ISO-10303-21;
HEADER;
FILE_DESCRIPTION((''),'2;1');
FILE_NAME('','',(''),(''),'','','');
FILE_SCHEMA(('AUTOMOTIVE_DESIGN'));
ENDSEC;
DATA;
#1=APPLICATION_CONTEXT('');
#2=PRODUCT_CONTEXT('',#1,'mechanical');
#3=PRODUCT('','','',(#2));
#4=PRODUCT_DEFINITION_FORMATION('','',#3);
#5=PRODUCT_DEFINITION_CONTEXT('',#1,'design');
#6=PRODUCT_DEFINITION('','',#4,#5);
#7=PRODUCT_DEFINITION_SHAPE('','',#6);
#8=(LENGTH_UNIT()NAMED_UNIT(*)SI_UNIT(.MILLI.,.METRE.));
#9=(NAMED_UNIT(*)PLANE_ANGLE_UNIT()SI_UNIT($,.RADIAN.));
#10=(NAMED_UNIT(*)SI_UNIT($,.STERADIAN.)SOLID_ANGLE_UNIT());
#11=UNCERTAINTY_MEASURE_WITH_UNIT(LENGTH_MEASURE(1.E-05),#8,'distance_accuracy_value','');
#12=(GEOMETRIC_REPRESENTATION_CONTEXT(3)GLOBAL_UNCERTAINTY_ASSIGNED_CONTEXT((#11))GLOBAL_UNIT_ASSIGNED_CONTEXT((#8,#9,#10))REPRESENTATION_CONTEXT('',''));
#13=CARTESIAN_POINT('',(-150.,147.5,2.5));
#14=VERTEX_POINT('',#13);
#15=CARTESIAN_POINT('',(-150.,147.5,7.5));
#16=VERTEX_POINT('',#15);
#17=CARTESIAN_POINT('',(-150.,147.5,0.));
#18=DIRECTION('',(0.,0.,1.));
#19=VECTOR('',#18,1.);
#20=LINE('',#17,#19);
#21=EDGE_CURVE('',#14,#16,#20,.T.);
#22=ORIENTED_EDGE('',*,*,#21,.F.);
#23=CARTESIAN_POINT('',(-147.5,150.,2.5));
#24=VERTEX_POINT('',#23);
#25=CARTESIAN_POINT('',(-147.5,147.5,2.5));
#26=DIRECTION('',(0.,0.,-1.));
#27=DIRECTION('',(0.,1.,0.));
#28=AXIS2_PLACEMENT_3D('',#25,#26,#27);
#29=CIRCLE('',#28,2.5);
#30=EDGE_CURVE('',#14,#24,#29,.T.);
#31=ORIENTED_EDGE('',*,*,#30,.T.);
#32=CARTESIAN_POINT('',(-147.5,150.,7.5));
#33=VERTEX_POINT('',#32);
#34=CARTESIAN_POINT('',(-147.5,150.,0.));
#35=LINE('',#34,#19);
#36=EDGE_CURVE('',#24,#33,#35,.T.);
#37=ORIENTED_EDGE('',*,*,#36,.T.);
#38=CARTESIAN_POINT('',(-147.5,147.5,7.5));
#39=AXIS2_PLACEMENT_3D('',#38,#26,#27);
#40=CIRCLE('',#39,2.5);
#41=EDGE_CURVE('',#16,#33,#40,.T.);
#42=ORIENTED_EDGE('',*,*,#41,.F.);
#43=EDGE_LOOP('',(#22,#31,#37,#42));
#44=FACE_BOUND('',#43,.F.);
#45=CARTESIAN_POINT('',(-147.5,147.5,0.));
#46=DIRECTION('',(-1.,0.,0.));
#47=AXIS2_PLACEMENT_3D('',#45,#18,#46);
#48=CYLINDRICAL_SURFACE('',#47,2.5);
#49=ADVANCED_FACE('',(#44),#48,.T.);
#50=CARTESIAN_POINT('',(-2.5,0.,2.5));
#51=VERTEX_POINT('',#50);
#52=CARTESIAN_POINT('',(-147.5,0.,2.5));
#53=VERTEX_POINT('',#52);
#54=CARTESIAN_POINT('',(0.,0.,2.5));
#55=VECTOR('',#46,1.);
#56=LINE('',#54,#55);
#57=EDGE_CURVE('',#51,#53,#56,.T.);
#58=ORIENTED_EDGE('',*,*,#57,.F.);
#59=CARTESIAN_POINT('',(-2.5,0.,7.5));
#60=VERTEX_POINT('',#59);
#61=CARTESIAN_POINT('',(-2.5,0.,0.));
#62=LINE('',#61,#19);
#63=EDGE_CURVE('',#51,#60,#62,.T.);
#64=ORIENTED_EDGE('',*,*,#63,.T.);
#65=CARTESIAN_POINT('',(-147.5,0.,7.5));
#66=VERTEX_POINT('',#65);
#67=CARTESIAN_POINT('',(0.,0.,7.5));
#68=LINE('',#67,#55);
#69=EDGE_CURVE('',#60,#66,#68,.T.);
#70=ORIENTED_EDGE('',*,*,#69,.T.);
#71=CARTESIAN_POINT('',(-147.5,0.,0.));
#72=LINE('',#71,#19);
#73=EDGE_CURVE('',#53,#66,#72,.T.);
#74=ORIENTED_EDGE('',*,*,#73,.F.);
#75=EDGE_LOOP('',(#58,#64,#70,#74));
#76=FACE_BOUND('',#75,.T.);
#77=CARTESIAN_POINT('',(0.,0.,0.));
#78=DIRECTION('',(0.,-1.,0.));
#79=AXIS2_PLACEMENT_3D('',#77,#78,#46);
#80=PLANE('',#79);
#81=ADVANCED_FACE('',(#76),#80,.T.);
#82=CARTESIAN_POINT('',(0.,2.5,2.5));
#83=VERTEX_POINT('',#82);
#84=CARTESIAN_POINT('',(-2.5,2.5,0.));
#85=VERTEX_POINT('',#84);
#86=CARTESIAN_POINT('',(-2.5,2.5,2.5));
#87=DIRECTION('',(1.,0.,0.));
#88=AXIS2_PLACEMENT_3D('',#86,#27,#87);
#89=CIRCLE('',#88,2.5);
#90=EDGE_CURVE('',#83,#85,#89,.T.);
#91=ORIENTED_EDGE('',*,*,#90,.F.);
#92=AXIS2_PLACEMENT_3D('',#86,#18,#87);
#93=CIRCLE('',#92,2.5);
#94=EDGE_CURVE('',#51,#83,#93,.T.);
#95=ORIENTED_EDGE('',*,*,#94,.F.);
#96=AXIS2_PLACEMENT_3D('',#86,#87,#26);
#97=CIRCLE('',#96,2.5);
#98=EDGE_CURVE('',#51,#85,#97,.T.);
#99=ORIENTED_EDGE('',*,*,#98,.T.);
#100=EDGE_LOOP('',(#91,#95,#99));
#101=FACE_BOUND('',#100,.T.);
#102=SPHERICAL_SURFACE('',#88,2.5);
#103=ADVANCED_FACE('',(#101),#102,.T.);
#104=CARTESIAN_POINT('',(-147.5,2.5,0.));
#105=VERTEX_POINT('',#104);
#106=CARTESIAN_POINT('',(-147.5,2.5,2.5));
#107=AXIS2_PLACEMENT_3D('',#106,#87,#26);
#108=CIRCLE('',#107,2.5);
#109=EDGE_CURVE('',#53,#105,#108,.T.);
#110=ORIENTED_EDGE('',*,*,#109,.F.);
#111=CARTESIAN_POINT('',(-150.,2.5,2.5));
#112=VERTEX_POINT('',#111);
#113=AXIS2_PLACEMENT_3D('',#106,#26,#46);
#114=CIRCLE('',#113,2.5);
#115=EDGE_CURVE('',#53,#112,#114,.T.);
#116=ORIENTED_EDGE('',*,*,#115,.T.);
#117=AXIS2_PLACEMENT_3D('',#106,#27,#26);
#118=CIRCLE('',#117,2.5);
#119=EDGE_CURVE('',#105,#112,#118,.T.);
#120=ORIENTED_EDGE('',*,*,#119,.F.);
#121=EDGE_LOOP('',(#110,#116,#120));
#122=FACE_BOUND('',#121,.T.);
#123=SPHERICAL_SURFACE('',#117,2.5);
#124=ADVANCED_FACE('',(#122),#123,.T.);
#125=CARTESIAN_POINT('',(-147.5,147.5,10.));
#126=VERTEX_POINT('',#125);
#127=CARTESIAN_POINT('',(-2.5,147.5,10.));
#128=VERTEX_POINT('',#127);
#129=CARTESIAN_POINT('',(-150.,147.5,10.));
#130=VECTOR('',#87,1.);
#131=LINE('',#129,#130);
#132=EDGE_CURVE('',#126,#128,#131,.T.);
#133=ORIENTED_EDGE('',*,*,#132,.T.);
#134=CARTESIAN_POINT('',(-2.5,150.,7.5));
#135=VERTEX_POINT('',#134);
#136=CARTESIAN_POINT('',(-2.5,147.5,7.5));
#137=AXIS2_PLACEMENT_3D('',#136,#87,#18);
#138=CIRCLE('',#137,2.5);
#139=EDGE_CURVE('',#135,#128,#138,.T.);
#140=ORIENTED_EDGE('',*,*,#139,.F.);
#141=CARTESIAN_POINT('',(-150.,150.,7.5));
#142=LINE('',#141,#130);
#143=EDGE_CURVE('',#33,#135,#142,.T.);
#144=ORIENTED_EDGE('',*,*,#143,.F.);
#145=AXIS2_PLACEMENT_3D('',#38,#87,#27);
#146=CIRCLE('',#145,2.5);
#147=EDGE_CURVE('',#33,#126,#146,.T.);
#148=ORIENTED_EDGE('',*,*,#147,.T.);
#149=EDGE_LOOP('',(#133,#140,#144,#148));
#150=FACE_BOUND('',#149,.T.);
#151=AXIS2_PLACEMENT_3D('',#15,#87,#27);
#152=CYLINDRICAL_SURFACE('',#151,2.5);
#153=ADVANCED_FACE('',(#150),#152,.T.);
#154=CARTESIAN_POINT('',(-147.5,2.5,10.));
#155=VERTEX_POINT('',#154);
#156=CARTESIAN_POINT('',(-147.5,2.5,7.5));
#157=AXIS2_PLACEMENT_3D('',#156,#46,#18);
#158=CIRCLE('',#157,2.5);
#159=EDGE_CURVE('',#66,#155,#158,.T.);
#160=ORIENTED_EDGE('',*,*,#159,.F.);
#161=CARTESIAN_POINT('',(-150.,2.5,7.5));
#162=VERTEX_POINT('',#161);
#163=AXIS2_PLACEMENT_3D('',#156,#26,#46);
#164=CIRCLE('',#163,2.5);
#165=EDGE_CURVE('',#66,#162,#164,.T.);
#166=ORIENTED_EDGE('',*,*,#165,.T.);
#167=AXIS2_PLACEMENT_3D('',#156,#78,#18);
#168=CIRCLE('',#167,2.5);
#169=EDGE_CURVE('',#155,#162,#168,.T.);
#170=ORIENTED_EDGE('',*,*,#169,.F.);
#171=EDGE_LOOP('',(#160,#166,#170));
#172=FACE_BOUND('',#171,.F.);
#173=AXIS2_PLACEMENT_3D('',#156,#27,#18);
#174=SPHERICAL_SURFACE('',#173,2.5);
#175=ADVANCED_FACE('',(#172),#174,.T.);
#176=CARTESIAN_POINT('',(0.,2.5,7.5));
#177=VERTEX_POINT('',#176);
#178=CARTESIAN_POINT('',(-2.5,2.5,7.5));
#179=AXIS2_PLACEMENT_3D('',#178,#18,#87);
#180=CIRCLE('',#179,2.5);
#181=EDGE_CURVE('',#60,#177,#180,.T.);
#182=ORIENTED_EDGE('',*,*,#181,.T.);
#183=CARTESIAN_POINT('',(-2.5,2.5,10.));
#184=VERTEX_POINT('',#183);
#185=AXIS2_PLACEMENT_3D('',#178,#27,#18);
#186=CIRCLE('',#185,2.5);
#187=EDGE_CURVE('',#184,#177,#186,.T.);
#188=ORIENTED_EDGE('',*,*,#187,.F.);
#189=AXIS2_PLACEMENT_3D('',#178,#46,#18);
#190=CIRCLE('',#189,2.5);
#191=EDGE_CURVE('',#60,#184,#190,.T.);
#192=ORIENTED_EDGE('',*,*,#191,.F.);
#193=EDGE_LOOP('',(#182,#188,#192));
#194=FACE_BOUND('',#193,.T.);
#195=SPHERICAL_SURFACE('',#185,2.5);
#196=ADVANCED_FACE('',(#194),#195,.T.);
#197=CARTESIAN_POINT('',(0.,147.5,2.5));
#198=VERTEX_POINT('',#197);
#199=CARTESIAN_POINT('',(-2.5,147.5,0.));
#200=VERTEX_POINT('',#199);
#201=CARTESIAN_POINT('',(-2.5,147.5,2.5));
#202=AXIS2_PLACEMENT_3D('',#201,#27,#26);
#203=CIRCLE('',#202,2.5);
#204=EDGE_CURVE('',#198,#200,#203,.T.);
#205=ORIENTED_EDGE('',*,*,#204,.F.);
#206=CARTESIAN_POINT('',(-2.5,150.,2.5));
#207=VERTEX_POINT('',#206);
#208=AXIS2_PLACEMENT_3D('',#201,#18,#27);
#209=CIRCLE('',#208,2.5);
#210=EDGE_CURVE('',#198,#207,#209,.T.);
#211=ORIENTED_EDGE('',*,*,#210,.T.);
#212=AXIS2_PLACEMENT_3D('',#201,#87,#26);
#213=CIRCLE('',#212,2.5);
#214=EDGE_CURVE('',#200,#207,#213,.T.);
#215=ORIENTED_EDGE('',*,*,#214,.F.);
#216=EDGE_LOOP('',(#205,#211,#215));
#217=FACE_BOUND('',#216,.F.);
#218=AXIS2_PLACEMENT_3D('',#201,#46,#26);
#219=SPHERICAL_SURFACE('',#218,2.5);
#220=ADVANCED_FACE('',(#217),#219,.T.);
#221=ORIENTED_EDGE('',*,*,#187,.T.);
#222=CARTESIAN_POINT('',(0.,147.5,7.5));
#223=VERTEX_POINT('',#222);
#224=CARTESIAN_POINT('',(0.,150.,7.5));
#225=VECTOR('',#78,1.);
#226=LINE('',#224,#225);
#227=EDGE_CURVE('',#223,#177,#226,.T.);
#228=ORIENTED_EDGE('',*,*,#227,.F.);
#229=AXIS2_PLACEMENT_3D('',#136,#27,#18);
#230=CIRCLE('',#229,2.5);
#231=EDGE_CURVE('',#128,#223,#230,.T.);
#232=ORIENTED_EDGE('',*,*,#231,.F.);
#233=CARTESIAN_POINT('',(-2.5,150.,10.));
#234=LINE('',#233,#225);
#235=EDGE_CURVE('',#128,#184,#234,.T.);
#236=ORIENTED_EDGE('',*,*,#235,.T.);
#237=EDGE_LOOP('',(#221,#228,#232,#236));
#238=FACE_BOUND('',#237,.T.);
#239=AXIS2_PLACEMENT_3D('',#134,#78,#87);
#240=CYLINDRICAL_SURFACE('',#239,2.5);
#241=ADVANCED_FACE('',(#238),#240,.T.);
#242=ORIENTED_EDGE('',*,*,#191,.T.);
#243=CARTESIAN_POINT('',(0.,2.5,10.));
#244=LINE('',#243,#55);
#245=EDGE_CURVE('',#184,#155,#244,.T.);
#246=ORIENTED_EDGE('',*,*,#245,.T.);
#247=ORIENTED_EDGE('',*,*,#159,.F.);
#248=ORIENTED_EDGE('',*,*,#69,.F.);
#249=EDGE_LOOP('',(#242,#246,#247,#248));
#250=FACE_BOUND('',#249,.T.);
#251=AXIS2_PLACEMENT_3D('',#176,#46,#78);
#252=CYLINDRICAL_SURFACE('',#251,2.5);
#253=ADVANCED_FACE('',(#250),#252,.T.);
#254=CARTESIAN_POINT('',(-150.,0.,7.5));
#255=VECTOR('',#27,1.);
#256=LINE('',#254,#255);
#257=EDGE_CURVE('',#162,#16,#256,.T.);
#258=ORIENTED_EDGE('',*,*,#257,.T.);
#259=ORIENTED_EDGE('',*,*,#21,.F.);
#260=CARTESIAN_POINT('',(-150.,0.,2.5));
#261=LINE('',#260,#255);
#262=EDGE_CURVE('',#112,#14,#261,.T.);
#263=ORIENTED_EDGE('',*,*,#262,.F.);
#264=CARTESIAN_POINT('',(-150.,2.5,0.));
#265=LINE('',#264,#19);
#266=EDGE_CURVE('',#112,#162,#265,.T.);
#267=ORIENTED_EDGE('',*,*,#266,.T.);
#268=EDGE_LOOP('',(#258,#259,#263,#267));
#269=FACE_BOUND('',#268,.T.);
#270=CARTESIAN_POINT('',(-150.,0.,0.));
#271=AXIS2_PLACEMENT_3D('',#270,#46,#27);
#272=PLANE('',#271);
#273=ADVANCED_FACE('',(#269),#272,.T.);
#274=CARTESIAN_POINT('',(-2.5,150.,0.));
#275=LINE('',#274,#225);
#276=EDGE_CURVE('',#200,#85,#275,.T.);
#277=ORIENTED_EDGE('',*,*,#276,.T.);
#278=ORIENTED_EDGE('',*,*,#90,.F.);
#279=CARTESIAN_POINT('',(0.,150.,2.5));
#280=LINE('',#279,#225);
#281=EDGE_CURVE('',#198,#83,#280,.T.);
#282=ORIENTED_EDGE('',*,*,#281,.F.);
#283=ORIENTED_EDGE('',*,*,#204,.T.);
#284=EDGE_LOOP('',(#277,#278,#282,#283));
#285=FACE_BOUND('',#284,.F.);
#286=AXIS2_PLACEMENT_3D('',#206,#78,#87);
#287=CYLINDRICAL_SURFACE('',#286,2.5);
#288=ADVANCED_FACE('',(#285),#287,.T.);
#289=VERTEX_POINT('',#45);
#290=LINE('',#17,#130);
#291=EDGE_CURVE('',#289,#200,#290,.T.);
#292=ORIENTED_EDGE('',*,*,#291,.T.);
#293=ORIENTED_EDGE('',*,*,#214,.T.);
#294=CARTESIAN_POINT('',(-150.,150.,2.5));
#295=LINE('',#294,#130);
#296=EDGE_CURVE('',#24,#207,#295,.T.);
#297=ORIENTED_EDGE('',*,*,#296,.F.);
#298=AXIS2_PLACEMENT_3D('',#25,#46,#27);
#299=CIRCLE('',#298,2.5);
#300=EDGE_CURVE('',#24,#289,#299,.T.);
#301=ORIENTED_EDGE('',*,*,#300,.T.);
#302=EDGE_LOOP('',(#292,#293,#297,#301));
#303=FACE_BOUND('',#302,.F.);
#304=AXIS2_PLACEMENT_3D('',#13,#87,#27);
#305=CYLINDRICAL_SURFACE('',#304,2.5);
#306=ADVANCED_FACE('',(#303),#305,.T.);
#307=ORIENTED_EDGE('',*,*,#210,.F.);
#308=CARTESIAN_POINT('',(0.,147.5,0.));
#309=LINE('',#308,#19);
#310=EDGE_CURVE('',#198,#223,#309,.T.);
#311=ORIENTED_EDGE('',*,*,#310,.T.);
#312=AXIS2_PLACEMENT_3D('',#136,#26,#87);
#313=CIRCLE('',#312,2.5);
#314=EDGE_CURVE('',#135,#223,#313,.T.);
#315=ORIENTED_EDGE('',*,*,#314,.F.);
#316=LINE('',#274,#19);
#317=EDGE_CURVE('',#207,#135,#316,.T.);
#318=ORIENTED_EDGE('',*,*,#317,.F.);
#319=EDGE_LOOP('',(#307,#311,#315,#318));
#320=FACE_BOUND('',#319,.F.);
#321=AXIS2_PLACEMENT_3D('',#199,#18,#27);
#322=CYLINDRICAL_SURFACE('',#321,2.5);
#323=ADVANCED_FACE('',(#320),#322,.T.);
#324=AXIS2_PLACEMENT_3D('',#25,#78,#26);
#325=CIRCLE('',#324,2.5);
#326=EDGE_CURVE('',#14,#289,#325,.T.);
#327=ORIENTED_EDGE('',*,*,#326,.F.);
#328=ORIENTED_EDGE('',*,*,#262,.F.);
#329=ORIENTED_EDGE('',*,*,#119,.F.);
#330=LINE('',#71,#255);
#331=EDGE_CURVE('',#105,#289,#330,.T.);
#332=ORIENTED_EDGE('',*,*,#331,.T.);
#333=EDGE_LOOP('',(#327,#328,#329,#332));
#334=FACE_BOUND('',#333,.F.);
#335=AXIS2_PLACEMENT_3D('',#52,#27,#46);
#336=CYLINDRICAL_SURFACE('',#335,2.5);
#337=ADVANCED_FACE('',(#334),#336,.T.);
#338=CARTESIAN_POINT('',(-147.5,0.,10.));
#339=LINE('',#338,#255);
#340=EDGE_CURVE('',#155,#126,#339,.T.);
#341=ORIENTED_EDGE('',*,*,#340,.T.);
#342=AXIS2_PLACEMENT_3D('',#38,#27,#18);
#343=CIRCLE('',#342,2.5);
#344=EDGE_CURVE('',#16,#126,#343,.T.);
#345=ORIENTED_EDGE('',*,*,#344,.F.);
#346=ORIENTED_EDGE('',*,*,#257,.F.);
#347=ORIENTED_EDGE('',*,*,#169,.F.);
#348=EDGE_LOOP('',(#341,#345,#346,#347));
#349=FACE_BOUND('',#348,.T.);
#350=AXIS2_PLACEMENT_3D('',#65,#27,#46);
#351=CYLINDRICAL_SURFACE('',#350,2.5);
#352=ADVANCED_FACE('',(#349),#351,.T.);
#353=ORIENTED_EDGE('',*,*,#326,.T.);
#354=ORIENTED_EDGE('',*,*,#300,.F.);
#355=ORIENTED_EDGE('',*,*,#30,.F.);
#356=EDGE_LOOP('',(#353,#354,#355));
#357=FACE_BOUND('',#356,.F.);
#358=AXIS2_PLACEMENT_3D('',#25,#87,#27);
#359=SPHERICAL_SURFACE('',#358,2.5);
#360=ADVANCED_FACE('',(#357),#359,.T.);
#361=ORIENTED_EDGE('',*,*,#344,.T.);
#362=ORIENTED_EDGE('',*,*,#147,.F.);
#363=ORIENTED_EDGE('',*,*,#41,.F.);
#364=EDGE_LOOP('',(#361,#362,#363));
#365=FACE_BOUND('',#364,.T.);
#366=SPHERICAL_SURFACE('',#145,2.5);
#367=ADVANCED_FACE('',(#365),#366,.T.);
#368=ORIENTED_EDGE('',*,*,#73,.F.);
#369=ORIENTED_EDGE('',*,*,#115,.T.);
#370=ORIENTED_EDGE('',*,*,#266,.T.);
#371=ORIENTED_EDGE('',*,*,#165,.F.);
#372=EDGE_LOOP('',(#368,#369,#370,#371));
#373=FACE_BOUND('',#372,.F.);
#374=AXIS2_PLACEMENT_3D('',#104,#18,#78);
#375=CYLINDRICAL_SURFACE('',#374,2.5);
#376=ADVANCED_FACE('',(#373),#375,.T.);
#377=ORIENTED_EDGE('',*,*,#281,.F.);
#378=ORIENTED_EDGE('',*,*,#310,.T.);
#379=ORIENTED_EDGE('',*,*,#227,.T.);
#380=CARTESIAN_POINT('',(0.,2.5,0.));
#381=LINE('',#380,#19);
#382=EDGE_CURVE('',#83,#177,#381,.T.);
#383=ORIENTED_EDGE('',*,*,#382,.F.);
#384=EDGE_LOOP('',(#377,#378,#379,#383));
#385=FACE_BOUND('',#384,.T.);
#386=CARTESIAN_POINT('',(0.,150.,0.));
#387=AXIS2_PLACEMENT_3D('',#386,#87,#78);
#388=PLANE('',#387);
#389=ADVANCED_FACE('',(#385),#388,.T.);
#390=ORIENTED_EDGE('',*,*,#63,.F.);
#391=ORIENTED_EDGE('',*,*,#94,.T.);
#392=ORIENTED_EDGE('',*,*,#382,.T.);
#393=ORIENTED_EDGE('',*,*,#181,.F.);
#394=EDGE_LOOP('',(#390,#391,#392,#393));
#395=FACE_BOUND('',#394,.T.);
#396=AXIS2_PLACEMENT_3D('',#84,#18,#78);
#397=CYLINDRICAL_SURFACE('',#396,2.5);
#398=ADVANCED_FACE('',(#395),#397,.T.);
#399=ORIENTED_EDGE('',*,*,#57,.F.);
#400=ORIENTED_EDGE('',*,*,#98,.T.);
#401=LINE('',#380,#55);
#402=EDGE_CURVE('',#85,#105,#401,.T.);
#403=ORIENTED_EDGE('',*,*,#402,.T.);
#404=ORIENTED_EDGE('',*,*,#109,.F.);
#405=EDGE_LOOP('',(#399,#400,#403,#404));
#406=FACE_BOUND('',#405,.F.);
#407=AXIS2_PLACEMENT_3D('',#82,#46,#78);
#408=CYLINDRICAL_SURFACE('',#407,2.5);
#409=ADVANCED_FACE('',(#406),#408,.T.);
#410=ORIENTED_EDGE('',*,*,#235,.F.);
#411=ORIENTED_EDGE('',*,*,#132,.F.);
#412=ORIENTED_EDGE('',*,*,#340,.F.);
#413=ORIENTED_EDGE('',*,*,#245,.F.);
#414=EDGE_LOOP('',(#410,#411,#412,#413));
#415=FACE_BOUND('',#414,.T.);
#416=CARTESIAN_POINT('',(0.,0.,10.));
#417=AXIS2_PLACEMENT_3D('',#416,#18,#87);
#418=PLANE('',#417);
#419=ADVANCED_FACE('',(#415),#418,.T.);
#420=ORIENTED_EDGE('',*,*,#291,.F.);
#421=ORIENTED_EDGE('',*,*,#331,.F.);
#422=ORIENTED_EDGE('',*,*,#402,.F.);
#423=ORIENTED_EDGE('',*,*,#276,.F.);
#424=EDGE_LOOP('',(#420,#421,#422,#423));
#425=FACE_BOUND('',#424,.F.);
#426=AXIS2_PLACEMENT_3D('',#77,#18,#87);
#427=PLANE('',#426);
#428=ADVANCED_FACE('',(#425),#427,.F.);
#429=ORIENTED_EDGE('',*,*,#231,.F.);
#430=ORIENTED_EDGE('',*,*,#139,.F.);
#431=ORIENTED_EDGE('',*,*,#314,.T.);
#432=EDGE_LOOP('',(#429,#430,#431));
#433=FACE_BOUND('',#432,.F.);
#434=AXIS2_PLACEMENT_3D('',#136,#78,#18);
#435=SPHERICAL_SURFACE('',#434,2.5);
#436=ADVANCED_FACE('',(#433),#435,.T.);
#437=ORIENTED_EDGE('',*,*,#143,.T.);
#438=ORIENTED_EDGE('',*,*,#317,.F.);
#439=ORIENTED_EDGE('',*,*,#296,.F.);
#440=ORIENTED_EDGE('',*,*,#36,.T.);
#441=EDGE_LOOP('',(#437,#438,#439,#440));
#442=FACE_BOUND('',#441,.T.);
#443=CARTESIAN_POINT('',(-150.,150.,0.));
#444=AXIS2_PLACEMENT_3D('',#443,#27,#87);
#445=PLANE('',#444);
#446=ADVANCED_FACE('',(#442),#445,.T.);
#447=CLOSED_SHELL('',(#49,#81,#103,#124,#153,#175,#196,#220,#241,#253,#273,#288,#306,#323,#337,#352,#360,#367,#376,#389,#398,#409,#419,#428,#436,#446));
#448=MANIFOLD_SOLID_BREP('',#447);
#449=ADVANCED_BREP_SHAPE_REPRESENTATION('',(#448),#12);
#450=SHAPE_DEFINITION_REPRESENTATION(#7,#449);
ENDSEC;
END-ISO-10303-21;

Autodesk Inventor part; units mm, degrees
ref_plane "YZ Plane" through (0, 0, 0) normal (1, 0, 0) x (0, 1, 0)
ref_plane "XZ Plane" through (0, 0, 0) normal (0, 1, 0) x (-1, 0, 0)
ref_plane "XY Plane" through (0, 0, 0) normal (0, 0, 1) x (1, 0, 0)
sketch "Sketch1" plane through (0, 0, 0) normal (0, 0, 1) x (1, 0, 0)
  line L0 (0, 0) -> (-150, 0)
  line L1 (-150, 0) -> (-150, 150)
  line L2 (-150, 150) -> (0, 150)
  line L3 (0, 150) -> (0, 0)
  dimension "d0" = 150
  dimension "d1" = 150
extrude "Extrusion1" add sketch "Sketch1" along normal blind 10
fillet "Fillet1" radius 2.5 12 edges at (0, 75, 10) (-75, 150, 10) (-75, 150, 0) (0, 75, 0) (0, 150, 5) (-150, 150, 5) (-150, 75, 10) (-75, 0, 10) (0, 0, 5) (-150, 75, 0) (-75, 0, 0) (-150, 0, 5)
properties part number "foot"
